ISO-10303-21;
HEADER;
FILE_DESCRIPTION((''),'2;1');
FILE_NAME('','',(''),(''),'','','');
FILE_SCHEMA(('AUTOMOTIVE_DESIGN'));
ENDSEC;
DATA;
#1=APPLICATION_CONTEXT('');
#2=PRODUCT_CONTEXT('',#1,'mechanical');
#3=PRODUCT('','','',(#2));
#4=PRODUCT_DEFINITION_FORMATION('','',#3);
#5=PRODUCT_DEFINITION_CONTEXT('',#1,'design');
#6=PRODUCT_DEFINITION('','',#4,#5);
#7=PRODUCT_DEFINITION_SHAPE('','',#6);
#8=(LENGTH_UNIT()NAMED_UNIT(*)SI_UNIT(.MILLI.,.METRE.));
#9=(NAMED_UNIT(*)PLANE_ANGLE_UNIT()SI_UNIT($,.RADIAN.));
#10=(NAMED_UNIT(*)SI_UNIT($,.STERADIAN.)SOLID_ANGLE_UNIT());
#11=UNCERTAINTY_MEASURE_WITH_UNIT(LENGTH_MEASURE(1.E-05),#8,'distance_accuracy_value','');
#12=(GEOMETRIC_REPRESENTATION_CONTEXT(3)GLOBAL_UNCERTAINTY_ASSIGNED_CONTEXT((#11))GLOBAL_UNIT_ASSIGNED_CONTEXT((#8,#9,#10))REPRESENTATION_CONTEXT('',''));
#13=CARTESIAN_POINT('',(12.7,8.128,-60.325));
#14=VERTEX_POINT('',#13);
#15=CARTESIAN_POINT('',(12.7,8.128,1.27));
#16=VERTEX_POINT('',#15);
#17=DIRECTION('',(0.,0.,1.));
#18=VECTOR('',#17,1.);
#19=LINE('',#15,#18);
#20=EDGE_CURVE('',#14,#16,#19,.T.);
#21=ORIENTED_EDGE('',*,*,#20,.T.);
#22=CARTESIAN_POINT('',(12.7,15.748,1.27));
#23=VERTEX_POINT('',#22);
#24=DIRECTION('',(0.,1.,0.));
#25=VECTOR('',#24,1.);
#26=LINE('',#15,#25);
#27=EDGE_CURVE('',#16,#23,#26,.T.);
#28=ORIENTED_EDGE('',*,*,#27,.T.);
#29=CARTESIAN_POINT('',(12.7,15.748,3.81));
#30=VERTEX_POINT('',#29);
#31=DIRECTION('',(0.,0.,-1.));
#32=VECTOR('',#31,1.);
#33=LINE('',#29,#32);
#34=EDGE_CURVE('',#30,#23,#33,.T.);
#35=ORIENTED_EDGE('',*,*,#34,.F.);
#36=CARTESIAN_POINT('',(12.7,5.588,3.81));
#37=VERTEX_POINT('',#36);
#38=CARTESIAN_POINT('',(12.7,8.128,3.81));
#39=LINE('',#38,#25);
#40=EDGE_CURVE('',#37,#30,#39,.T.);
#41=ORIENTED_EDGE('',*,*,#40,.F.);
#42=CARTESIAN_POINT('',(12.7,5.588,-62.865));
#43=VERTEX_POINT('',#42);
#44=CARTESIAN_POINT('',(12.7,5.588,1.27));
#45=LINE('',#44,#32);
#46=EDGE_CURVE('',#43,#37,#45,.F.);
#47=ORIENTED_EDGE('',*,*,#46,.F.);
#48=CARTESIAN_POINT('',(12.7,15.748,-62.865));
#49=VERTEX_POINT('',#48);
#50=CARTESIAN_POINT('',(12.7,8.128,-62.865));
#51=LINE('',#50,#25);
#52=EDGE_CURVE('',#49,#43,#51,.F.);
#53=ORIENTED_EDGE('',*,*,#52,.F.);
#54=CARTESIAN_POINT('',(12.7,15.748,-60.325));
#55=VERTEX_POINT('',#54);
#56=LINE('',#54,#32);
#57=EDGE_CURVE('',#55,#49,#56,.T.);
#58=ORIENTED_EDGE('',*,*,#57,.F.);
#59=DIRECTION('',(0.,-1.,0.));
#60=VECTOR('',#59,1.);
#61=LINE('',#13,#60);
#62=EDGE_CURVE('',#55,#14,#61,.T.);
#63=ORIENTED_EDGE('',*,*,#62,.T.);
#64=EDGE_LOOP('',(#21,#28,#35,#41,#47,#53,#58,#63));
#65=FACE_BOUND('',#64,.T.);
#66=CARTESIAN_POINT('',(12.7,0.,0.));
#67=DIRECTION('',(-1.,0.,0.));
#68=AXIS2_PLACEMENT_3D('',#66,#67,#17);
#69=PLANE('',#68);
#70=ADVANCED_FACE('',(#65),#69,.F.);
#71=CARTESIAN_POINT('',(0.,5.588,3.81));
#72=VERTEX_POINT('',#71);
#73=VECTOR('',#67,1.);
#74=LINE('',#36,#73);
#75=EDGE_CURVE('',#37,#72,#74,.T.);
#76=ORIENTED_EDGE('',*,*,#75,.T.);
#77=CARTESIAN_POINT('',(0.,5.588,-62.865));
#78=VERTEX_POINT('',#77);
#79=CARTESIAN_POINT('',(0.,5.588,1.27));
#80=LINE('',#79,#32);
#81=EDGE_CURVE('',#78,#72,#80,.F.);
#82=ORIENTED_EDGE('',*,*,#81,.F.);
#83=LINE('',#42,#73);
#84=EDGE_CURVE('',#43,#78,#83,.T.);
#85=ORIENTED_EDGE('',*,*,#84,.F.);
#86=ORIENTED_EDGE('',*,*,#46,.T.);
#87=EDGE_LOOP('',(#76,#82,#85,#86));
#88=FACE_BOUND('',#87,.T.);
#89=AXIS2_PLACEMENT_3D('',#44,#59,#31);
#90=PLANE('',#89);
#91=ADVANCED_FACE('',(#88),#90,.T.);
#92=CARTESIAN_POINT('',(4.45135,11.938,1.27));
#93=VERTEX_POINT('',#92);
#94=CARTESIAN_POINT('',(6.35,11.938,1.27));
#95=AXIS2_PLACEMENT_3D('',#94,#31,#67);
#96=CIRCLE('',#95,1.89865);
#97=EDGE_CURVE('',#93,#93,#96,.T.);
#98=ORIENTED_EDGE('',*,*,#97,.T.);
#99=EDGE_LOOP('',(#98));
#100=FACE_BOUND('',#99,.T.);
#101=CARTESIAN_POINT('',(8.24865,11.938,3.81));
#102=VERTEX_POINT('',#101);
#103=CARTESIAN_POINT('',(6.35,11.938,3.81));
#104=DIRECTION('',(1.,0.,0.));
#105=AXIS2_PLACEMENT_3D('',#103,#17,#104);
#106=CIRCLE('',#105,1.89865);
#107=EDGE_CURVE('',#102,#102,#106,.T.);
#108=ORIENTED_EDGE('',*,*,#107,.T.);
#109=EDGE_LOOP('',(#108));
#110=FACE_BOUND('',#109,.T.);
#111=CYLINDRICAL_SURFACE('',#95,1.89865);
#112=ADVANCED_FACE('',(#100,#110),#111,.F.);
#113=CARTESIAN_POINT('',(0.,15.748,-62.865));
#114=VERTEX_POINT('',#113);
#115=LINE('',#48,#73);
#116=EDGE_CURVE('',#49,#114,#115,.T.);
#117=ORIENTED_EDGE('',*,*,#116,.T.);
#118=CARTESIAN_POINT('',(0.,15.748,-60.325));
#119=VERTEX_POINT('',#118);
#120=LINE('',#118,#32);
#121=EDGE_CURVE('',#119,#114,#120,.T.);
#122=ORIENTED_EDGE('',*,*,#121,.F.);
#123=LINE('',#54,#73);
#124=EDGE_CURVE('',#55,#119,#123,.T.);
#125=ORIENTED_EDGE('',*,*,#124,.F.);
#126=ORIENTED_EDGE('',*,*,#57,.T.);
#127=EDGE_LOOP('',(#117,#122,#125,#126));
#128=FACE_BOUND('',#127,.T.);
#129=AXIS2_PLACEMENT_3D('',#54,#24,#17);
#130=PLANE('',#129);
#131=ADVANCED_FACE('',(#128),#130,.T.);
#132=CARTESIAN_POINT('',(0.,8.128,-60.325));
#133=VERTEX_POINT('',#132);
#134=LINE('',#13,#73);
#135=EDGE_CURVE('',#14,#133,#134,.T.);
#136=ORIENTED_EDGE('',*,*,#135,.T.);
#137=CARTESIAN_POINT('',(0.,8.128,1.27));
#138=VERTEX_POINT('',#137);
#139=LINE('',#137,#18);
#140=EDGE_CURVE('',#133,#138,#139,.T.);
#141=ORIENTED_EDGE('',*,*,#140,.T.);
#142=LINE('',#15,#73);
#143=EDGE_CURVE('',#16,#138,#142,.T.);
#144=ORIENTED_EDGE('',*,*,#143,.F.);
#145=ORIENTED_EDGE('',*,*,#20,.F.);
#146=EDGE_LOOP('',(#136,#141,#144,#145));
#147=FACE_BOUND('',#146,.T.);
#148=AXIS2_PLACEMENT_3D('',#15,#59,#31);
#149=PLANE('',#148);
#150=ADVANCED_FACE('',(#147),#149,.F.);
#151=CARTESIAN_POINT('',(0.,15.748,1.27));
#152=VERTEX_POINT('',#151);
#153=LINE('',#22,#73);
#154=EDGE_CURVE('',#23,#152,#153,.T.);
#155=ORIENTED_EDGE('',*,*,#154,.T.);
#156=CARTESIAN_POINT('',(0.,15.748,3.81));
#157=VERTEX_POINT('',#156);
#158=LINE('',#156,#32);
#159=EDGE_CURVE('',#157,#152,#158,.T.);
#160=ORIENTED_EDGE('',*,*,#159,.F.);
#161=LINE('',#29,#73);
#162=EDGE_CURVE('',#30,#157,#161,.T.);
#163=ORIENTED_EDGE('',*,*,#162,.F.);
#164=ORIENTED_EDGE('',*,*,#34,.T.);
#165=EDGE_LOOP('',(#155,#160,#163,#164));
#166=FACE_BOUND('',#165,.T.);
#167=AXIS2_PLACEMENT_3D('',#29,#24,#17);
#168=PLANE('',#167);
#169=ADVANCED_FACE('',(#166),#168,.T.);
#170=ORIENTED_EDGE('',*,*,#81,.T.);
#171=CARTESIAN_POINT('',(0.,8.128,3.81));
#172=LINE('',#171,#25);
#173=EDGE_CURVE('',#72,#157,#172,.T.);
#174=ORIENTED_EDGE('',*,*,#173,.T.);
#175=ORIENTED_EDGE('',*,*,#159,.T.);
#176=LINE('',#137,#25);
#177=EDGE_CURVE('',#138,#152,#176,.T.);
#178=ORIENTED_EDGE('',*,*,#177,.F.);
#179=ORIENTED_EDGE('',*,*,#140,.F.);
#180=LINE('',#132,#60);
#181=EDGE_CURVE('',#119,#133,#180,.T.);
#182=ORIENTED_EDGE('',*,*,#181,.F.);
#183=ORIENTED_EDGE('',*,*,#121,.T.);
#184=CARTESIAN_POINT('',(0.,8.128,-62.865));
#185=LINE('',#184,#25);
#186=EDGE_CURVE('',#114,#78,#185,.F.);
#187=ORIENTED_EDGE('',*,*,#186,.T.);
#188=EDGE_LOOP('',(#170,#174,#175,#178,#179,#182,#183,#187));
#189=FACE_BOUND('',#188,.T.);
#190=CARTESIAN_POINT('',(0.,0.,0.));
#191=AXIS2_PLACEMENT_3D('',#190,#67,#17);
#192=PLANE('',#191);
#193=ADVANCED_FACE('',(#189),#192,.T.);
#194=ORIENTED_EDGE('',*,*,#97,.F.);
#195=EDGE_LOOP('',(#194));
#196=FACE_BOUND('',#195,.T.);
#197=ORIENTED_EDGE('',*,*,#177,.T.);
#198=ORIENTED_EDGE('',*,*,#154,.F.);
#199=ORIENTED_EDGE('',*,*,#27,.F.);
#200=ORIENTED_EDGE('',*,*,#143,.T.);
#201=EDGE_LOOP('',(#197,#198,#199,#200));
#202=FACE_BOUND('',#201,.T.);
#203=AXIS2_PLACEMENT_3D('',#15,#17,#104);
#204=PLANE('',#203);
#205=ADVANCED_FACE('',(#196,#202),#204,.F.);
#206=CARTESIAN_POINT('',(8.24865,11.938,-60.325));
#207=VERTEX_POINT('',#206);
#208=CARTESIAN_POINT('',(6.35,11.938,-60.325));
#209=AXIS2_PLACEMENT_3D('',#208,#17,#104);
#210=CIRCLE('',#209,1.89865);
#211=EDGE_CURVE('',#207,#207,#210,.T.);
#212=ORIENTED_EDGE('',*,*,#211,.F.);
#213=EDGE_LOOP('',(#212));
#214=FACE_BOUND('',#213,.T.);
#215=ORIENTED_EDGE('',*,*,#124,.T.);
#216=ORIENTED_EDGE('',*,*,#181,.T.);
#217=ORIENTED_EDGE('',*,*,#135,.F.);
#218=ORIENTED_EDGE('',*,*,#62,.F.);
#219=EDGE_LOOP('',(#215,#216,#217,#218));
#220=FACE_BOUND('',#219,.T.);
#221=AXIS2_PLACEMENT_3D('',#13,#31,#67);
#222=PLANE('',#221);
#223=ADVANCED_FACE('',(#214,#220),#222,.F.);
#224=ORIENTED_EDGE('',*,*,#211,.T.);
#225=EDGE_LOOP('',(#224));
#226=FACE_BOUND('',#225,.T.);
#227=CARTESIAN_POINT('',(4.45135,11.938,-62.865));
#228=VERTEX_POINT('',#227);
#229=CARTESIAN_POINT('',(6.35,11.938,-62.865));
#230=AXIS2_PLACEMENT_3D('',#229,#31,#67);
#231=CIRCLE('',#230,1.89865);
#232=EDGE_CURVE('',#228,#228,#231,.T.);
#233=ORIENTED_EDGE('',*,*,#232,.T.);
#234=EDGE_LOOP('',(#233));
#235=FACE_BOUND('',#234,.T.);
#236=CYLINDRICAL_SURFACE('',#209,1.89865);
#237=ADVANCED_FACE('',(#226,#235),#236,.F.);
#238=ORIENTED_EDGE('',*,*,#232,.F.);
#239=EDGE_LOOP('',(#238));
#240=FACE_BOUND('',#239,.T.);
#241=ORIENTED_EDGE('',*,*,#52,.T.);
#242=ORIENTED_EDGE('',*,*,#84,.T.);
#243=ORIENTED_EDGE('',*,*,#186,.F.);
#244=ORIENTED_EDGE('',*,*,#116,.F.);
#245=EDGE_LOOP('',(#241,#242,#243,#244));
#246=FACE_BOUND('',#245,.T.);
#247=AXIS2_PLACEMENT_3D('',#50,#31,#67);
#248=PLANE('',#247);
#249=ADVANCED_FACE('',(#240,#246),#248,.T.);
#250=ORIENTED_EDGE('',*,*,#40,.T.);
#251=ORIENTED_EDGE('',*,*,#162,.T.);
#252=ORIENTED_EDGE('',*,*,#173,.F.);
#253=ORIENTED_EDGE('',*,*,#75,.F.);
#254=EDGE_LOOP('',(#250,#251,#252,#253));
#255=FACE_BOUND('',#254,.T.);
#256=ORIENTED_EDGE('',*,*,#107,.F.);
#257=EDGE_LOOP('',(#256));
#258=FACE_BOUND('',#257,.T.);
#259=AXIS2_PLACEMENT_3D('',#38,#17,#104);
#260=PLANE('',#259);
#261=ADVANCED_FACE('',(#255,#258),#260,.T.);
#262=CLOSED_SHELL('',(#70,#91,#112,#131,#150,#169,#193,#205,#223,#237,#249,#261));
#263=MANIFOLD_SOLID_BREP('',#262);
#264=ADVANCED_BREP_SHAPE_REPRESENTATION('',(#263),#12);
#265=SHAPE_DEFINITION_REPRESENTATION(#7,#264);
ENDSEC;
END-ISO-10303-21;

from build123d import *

# Parameters (mm, degrees)
EXTRUDE_THIN1_DEPTH       = 12.7
F_6_CLEARANCE_HOLE1_D     = 3.7973
F_6_CLEARANCE_HOLE1_DEPTH = 7.62
F_6_CLEARANCE_HOLE1_TIP   = 1.140824014
F_6_CLEARANCE_HOLE2_D     = 3.7973
F_6_CLEARANCE_HOLE2_DEPTH = 7.62
F_6_CLEARANCE_HOLE2_TIP   = 1.140824014


with BuildPart() as part:
    # Sketch1 → Extrude-Thin1 (new body)
    with BuildSketch(Plane(origin=(0, 0, 0), x_dir=(0, 0, -1), z_dir=(1, 0, 0))):
        Polygon((-1.27, 15.748), (-1.27, 8.128), (60.325, 8.128), (60.325, 15.748), (62.865, 15.748), (62.865, 5.588), (-3.81, 5.588), (-3.81, 15.748), align=None)
    extrude(amount=EXTRUDE_THIN1_DEPTH)

    # #6 Clearance Hole1
    with Locations(Plane(origin=(0, 0, 1.27), x_dir=(-1, 0, 0), z_dir=(0, 0, -1))):
        with Locations((-6.35, 11.938)):
            Hole(F_6_CLEARANCE_HOLE1_D / 2, depth=F_6_CLEARANCE_HOLE1_DEPTH)
            with Locations((0, 0, -(F_6_CLEARANCE_HOLE1_DEPTH + F_6_CLEARANCE_HOLE1_TIP / 2))):  # 118° drill point
                Cone(0, F_6_CLEARANCE_HOLE1_D / 2, F_6_CLEARANCE_HOLE1_TIP, mode=Mode.SUBTRACT)

    # #6 Clearance Hole2
    with Locations(Plane.XY.offset(-60.325)):
        with Locations((6.35, 11.938)):
            Hole(F_6_CLEARANCE_HOLE2_D / 2, depth=F_6_CLEARANCE_HOLE2_DEPTH)
            with Locations((0, 0, -(F_6_CLEARANCE_HOLE2_DEPTH + F_6_CLEARANCE_HOLE2_TIP / 2))):  # 118° drill point
                Cone(0, F_6_CLEARANCE_HOLE2_D / 2, F_6_CLEARANCE_HOLE2_TIP, mode=Mode.SUBTRACT)


solid = part.part
